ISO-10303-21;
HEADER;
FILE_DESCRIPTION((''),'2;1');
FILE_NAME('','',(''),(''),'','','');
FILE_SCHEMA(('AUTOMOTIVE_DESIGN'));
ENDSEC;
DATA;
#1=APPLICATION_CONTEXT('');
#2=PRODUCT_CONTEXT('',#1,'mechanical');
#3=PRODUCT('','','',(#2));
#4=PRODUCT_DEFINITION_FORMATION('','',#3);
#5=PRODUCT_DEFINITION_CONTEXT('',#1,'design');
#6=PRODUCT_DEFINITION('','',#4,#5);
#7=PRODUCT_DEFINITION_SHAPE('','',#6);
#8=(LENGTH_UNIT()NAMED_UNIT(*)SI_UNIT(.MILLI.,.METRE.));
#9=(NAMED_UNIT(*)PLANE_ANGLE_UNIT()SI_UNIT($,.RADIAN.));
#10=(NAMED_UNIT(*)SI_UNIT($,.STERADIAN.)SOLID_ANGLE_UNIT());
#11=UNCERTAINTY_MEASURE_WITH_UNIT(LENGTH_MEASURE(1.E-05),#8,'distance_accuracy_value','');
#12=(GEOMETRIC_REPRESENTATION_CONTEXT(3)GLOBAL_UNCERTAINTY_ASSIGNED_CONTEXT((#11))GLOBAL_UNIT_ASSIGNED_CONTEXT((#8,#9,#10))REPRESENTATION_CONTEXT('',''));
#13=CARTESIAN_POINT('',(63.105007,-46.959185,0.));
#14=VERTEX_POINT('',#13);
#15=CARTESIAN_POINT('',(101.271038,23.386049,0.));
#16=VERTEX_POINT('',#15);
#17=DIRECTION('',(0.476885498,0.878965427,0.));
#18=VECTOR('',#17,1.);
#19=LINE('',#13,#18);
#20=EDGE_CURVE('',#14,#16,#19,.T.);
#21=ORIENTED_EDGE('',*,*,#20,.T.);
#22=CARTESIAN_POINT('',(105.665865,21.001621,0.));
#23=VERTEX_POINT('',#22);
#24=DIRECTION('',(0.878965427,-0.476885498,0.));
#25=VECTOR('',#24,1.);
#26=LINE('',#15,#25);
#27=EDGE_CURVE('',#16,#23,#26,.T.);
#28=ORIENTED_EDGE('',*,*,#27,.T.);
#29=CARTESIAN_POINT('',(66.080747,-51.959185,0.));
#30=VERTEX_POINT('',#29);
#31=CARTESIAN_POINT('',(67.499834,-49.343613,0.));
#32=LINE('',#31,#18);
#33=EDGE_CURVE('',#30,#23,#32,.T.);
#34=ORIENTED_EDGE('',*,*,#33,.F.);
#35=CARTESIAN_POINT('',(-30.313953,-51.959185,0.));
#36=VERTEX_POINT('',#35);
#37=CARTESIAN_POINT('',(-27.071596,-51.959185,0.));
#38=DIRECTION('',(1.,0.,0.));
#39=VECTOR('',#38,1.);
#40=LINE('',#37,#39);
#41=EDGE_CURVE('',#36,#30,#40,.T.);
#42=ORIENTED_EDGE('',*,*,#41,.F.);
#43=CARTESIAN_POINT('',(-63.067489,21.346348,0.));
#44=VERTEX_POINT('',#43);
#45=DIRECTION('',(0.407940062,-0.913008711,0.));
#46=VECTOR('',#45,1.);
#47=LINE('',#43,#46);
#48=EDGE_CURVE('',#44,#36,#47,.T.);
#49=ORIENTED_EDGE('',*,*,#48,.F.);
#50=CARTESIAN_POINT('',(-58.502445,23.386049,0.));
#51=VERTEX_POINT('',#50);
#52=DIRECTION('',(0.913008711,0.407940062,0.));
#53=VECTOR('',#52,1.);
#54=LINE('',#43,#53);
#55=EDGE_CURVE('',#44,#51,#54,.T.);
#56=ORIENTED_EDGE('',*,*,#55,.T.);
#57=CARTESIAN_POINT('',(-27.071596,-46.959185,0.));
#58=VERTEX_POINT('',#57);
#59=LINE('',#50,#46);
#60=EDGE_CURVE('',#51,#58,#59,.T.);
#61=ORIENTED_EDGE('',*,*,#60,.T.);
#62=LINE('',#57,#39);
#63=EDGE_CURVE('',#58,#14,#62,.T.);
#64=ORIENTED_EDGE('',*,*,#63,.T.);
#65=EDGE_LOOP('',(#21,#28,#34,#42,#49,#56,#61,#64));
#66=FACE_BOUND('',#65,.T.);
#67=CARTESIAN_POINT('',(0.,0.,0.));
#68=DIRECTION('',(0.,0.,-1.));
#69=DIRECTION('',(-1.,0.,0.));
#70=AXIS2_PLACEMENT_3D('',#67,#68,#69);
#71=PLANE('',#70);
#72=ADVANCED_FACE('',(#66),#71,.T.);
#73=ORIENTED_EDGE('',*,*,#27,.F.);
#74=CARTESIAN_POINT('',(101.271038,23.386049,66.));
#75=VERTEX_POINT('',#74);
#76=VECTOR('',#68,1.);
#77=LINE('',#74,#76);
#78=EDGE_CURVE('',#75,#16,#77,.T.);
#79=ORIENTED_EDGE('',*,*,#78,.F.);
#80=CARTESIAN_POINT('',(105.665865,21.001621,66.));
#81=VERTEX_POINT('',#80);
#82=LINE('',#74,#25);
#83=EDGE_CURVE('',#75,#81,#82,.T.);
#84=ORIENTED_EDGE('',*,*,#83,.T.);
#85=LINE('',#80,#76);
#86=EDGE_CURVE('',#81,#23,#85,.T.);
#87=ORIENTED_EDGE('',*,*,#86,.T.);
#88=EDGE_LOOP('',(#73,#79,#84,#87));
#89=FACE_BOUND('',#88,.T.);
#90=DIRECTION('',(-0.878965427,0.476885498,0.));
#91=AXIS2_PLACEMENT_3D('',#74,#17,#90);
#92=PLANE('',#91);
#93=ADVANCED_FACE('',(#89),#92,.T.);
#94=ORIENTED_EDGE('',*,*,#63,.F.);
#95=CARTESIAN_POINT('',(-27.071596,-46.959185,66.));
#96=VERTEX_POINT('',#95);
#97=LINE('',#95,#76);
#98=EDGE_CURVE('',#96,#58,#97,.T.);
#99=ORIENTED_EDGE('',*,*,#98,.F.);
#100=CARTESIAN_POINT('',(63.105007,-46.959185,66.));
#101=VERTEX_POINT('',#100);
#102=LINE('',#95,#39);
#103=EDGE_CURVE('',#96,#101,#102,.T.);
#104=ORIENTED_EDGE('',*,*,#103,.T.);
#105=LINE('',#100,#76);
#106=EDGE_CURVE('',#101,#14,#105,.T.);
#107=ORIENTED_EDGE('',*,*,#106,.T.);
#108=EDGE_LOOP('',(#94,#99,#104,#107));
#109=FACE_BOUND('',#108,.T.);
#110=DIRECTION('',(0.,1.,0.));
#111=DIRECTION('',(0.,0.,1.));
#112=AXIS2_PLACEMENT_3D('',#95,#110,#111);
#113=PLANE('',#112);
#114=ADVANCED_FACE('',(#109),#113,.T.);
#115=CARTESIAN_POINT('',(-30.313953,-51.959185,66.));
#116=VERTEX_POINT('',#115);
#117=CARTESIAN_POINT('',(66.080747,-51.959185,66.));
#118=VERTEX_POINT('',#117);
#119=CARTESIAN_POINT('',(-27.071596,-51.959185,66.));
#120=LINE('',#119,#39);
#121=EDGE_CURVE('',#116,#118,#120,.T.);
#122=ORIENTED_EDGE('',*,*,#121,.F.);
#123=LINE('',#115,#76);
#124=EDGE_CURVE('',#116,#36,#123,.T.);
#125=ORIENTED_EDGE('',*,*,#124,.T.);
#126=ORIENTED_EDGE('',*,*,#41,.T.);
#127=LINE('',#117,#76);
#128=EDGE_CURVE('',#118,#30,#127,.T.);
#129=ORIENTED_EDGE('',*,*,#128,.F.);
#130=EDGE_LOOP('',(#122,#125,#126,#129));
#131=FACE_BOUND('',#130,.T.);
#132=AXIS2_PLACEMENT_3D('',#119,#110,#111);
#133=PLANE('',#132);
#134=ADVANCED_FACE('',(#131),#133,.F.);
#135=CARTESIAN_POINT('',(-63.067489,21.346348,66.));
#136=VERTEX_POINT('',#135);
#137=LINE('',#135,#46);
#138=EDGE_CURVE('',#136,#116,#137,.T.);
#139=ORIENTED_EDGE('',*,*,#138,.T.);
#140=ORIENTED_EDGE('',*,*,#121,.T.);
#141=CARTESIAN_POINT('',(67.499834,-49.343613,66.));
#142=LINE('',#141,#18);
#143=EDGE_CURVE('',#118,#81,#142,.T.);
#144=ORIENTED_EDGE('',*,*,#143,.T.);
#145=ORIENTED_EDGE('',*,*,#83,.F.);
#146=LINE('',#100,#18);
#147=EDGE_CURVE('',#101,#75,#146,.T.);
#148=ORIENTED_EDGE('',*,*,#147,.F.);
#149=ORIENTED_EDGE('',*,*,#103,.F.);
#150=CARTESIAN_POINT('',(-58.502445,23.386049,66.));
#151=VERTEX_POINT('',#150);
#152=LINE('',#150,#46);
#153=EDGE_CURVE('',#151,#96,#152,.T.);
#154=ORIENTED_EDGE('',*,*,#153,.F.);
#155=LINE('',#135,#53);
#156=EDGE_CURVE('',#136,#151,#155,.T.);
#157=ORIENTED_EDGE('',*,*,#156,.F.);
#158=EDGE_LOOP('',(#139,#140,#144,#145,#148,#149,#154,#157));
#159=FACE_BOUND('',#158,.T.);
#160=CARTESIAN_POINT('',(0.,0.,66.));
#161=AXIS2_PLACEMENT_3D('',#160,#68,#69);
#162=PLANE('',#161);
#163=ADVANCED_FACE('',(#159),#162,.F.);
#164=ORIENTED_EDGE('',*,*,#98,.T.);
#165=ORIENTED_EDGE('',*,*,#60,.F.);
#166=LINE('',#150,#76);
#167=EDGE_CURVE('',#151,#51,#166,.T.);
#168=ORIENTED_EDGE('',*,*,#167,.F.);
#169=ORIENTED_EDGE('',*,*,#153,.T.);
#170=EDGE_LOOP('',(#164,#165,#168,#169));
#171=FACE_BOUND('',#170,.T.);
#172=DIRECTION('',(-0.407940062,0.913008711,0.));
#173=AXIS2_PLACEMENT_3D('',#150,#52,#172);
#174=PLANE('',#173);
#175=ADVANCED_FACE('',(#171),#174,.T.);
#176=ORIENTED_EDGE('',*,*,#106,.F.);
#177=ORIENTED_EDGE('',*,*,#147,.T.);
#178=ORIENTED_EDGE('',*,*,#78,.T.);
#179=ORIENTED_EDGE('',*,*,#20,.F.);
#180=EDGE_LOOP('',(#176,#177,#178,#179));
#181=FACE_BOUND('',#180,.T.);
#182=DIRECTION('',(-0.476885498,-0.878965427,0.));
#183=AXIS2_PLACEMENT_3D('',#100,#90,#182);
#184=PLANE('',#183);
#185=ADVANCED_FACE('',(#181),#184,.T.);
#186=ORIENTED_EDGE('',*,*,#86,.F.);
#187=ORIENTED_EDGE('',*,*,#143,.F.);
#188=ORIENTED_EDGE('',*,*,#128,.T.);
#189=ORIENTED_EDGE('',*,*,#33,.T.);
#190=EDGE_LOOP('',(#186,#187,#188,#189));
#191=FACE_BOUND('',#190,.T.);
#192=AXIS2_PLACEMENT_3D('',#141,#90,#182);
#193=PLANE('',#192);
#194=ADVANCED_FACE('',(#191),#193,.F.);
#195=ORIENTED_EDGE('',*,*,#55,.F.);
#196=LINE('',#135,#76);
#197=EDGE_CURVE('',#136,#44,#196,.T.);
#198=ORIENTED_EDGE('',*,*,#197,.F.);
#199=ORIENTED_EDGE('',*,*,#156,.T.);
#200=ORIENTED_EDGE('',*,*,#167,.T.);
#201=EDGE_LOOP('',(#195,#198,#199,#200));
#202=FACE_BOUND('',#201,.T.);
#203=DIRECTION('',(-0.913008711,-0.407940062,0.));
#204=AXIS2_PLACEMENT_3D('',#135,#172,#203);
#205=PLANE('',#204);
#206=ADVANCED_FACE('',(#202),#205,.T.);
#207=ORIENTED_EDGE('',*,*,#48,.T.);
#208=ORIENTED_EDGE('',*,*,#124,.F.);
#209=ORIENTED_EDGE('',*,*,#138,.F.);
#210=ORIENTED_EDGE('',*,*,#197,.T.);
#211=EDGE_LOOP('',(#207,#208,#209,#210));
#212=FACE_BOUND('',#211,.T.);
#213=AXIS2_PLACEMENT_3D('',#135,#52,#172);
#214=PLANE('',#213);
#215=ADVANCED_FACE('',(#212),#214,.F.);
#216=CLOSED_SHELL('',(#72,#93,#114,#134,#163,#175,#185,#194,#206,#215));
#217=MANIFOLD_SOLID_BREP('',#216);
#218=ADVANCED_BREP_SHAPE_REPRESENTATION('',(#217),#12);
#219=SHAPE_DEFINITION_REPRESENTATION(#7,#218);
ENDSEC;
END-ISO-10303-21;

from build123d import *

# Parameters (mm, degrees)
EKSTR_ZYON_NCE1_DEPTH = 66


with BuildPart() as part:
    # Çizim1 → Ekstrüzyon-İnce1 (new body)
    with BuildSketch(Plane.XY):
        Polygon((-58.502445294, 23.386048527), (-27.071596074, -46.959185442), (63.105007045, -46.959185442), (101.271038241, 23.386048527), (105.665865377, 21.001621038), (66.080746967, -51.959185442), (-30.313952532, -51.959185442), (-63.067488848, 21.346348216), align=None)
    extrude(amount=EKSTR_ZYON_NCE1_DEPTH)


solid = part.part
